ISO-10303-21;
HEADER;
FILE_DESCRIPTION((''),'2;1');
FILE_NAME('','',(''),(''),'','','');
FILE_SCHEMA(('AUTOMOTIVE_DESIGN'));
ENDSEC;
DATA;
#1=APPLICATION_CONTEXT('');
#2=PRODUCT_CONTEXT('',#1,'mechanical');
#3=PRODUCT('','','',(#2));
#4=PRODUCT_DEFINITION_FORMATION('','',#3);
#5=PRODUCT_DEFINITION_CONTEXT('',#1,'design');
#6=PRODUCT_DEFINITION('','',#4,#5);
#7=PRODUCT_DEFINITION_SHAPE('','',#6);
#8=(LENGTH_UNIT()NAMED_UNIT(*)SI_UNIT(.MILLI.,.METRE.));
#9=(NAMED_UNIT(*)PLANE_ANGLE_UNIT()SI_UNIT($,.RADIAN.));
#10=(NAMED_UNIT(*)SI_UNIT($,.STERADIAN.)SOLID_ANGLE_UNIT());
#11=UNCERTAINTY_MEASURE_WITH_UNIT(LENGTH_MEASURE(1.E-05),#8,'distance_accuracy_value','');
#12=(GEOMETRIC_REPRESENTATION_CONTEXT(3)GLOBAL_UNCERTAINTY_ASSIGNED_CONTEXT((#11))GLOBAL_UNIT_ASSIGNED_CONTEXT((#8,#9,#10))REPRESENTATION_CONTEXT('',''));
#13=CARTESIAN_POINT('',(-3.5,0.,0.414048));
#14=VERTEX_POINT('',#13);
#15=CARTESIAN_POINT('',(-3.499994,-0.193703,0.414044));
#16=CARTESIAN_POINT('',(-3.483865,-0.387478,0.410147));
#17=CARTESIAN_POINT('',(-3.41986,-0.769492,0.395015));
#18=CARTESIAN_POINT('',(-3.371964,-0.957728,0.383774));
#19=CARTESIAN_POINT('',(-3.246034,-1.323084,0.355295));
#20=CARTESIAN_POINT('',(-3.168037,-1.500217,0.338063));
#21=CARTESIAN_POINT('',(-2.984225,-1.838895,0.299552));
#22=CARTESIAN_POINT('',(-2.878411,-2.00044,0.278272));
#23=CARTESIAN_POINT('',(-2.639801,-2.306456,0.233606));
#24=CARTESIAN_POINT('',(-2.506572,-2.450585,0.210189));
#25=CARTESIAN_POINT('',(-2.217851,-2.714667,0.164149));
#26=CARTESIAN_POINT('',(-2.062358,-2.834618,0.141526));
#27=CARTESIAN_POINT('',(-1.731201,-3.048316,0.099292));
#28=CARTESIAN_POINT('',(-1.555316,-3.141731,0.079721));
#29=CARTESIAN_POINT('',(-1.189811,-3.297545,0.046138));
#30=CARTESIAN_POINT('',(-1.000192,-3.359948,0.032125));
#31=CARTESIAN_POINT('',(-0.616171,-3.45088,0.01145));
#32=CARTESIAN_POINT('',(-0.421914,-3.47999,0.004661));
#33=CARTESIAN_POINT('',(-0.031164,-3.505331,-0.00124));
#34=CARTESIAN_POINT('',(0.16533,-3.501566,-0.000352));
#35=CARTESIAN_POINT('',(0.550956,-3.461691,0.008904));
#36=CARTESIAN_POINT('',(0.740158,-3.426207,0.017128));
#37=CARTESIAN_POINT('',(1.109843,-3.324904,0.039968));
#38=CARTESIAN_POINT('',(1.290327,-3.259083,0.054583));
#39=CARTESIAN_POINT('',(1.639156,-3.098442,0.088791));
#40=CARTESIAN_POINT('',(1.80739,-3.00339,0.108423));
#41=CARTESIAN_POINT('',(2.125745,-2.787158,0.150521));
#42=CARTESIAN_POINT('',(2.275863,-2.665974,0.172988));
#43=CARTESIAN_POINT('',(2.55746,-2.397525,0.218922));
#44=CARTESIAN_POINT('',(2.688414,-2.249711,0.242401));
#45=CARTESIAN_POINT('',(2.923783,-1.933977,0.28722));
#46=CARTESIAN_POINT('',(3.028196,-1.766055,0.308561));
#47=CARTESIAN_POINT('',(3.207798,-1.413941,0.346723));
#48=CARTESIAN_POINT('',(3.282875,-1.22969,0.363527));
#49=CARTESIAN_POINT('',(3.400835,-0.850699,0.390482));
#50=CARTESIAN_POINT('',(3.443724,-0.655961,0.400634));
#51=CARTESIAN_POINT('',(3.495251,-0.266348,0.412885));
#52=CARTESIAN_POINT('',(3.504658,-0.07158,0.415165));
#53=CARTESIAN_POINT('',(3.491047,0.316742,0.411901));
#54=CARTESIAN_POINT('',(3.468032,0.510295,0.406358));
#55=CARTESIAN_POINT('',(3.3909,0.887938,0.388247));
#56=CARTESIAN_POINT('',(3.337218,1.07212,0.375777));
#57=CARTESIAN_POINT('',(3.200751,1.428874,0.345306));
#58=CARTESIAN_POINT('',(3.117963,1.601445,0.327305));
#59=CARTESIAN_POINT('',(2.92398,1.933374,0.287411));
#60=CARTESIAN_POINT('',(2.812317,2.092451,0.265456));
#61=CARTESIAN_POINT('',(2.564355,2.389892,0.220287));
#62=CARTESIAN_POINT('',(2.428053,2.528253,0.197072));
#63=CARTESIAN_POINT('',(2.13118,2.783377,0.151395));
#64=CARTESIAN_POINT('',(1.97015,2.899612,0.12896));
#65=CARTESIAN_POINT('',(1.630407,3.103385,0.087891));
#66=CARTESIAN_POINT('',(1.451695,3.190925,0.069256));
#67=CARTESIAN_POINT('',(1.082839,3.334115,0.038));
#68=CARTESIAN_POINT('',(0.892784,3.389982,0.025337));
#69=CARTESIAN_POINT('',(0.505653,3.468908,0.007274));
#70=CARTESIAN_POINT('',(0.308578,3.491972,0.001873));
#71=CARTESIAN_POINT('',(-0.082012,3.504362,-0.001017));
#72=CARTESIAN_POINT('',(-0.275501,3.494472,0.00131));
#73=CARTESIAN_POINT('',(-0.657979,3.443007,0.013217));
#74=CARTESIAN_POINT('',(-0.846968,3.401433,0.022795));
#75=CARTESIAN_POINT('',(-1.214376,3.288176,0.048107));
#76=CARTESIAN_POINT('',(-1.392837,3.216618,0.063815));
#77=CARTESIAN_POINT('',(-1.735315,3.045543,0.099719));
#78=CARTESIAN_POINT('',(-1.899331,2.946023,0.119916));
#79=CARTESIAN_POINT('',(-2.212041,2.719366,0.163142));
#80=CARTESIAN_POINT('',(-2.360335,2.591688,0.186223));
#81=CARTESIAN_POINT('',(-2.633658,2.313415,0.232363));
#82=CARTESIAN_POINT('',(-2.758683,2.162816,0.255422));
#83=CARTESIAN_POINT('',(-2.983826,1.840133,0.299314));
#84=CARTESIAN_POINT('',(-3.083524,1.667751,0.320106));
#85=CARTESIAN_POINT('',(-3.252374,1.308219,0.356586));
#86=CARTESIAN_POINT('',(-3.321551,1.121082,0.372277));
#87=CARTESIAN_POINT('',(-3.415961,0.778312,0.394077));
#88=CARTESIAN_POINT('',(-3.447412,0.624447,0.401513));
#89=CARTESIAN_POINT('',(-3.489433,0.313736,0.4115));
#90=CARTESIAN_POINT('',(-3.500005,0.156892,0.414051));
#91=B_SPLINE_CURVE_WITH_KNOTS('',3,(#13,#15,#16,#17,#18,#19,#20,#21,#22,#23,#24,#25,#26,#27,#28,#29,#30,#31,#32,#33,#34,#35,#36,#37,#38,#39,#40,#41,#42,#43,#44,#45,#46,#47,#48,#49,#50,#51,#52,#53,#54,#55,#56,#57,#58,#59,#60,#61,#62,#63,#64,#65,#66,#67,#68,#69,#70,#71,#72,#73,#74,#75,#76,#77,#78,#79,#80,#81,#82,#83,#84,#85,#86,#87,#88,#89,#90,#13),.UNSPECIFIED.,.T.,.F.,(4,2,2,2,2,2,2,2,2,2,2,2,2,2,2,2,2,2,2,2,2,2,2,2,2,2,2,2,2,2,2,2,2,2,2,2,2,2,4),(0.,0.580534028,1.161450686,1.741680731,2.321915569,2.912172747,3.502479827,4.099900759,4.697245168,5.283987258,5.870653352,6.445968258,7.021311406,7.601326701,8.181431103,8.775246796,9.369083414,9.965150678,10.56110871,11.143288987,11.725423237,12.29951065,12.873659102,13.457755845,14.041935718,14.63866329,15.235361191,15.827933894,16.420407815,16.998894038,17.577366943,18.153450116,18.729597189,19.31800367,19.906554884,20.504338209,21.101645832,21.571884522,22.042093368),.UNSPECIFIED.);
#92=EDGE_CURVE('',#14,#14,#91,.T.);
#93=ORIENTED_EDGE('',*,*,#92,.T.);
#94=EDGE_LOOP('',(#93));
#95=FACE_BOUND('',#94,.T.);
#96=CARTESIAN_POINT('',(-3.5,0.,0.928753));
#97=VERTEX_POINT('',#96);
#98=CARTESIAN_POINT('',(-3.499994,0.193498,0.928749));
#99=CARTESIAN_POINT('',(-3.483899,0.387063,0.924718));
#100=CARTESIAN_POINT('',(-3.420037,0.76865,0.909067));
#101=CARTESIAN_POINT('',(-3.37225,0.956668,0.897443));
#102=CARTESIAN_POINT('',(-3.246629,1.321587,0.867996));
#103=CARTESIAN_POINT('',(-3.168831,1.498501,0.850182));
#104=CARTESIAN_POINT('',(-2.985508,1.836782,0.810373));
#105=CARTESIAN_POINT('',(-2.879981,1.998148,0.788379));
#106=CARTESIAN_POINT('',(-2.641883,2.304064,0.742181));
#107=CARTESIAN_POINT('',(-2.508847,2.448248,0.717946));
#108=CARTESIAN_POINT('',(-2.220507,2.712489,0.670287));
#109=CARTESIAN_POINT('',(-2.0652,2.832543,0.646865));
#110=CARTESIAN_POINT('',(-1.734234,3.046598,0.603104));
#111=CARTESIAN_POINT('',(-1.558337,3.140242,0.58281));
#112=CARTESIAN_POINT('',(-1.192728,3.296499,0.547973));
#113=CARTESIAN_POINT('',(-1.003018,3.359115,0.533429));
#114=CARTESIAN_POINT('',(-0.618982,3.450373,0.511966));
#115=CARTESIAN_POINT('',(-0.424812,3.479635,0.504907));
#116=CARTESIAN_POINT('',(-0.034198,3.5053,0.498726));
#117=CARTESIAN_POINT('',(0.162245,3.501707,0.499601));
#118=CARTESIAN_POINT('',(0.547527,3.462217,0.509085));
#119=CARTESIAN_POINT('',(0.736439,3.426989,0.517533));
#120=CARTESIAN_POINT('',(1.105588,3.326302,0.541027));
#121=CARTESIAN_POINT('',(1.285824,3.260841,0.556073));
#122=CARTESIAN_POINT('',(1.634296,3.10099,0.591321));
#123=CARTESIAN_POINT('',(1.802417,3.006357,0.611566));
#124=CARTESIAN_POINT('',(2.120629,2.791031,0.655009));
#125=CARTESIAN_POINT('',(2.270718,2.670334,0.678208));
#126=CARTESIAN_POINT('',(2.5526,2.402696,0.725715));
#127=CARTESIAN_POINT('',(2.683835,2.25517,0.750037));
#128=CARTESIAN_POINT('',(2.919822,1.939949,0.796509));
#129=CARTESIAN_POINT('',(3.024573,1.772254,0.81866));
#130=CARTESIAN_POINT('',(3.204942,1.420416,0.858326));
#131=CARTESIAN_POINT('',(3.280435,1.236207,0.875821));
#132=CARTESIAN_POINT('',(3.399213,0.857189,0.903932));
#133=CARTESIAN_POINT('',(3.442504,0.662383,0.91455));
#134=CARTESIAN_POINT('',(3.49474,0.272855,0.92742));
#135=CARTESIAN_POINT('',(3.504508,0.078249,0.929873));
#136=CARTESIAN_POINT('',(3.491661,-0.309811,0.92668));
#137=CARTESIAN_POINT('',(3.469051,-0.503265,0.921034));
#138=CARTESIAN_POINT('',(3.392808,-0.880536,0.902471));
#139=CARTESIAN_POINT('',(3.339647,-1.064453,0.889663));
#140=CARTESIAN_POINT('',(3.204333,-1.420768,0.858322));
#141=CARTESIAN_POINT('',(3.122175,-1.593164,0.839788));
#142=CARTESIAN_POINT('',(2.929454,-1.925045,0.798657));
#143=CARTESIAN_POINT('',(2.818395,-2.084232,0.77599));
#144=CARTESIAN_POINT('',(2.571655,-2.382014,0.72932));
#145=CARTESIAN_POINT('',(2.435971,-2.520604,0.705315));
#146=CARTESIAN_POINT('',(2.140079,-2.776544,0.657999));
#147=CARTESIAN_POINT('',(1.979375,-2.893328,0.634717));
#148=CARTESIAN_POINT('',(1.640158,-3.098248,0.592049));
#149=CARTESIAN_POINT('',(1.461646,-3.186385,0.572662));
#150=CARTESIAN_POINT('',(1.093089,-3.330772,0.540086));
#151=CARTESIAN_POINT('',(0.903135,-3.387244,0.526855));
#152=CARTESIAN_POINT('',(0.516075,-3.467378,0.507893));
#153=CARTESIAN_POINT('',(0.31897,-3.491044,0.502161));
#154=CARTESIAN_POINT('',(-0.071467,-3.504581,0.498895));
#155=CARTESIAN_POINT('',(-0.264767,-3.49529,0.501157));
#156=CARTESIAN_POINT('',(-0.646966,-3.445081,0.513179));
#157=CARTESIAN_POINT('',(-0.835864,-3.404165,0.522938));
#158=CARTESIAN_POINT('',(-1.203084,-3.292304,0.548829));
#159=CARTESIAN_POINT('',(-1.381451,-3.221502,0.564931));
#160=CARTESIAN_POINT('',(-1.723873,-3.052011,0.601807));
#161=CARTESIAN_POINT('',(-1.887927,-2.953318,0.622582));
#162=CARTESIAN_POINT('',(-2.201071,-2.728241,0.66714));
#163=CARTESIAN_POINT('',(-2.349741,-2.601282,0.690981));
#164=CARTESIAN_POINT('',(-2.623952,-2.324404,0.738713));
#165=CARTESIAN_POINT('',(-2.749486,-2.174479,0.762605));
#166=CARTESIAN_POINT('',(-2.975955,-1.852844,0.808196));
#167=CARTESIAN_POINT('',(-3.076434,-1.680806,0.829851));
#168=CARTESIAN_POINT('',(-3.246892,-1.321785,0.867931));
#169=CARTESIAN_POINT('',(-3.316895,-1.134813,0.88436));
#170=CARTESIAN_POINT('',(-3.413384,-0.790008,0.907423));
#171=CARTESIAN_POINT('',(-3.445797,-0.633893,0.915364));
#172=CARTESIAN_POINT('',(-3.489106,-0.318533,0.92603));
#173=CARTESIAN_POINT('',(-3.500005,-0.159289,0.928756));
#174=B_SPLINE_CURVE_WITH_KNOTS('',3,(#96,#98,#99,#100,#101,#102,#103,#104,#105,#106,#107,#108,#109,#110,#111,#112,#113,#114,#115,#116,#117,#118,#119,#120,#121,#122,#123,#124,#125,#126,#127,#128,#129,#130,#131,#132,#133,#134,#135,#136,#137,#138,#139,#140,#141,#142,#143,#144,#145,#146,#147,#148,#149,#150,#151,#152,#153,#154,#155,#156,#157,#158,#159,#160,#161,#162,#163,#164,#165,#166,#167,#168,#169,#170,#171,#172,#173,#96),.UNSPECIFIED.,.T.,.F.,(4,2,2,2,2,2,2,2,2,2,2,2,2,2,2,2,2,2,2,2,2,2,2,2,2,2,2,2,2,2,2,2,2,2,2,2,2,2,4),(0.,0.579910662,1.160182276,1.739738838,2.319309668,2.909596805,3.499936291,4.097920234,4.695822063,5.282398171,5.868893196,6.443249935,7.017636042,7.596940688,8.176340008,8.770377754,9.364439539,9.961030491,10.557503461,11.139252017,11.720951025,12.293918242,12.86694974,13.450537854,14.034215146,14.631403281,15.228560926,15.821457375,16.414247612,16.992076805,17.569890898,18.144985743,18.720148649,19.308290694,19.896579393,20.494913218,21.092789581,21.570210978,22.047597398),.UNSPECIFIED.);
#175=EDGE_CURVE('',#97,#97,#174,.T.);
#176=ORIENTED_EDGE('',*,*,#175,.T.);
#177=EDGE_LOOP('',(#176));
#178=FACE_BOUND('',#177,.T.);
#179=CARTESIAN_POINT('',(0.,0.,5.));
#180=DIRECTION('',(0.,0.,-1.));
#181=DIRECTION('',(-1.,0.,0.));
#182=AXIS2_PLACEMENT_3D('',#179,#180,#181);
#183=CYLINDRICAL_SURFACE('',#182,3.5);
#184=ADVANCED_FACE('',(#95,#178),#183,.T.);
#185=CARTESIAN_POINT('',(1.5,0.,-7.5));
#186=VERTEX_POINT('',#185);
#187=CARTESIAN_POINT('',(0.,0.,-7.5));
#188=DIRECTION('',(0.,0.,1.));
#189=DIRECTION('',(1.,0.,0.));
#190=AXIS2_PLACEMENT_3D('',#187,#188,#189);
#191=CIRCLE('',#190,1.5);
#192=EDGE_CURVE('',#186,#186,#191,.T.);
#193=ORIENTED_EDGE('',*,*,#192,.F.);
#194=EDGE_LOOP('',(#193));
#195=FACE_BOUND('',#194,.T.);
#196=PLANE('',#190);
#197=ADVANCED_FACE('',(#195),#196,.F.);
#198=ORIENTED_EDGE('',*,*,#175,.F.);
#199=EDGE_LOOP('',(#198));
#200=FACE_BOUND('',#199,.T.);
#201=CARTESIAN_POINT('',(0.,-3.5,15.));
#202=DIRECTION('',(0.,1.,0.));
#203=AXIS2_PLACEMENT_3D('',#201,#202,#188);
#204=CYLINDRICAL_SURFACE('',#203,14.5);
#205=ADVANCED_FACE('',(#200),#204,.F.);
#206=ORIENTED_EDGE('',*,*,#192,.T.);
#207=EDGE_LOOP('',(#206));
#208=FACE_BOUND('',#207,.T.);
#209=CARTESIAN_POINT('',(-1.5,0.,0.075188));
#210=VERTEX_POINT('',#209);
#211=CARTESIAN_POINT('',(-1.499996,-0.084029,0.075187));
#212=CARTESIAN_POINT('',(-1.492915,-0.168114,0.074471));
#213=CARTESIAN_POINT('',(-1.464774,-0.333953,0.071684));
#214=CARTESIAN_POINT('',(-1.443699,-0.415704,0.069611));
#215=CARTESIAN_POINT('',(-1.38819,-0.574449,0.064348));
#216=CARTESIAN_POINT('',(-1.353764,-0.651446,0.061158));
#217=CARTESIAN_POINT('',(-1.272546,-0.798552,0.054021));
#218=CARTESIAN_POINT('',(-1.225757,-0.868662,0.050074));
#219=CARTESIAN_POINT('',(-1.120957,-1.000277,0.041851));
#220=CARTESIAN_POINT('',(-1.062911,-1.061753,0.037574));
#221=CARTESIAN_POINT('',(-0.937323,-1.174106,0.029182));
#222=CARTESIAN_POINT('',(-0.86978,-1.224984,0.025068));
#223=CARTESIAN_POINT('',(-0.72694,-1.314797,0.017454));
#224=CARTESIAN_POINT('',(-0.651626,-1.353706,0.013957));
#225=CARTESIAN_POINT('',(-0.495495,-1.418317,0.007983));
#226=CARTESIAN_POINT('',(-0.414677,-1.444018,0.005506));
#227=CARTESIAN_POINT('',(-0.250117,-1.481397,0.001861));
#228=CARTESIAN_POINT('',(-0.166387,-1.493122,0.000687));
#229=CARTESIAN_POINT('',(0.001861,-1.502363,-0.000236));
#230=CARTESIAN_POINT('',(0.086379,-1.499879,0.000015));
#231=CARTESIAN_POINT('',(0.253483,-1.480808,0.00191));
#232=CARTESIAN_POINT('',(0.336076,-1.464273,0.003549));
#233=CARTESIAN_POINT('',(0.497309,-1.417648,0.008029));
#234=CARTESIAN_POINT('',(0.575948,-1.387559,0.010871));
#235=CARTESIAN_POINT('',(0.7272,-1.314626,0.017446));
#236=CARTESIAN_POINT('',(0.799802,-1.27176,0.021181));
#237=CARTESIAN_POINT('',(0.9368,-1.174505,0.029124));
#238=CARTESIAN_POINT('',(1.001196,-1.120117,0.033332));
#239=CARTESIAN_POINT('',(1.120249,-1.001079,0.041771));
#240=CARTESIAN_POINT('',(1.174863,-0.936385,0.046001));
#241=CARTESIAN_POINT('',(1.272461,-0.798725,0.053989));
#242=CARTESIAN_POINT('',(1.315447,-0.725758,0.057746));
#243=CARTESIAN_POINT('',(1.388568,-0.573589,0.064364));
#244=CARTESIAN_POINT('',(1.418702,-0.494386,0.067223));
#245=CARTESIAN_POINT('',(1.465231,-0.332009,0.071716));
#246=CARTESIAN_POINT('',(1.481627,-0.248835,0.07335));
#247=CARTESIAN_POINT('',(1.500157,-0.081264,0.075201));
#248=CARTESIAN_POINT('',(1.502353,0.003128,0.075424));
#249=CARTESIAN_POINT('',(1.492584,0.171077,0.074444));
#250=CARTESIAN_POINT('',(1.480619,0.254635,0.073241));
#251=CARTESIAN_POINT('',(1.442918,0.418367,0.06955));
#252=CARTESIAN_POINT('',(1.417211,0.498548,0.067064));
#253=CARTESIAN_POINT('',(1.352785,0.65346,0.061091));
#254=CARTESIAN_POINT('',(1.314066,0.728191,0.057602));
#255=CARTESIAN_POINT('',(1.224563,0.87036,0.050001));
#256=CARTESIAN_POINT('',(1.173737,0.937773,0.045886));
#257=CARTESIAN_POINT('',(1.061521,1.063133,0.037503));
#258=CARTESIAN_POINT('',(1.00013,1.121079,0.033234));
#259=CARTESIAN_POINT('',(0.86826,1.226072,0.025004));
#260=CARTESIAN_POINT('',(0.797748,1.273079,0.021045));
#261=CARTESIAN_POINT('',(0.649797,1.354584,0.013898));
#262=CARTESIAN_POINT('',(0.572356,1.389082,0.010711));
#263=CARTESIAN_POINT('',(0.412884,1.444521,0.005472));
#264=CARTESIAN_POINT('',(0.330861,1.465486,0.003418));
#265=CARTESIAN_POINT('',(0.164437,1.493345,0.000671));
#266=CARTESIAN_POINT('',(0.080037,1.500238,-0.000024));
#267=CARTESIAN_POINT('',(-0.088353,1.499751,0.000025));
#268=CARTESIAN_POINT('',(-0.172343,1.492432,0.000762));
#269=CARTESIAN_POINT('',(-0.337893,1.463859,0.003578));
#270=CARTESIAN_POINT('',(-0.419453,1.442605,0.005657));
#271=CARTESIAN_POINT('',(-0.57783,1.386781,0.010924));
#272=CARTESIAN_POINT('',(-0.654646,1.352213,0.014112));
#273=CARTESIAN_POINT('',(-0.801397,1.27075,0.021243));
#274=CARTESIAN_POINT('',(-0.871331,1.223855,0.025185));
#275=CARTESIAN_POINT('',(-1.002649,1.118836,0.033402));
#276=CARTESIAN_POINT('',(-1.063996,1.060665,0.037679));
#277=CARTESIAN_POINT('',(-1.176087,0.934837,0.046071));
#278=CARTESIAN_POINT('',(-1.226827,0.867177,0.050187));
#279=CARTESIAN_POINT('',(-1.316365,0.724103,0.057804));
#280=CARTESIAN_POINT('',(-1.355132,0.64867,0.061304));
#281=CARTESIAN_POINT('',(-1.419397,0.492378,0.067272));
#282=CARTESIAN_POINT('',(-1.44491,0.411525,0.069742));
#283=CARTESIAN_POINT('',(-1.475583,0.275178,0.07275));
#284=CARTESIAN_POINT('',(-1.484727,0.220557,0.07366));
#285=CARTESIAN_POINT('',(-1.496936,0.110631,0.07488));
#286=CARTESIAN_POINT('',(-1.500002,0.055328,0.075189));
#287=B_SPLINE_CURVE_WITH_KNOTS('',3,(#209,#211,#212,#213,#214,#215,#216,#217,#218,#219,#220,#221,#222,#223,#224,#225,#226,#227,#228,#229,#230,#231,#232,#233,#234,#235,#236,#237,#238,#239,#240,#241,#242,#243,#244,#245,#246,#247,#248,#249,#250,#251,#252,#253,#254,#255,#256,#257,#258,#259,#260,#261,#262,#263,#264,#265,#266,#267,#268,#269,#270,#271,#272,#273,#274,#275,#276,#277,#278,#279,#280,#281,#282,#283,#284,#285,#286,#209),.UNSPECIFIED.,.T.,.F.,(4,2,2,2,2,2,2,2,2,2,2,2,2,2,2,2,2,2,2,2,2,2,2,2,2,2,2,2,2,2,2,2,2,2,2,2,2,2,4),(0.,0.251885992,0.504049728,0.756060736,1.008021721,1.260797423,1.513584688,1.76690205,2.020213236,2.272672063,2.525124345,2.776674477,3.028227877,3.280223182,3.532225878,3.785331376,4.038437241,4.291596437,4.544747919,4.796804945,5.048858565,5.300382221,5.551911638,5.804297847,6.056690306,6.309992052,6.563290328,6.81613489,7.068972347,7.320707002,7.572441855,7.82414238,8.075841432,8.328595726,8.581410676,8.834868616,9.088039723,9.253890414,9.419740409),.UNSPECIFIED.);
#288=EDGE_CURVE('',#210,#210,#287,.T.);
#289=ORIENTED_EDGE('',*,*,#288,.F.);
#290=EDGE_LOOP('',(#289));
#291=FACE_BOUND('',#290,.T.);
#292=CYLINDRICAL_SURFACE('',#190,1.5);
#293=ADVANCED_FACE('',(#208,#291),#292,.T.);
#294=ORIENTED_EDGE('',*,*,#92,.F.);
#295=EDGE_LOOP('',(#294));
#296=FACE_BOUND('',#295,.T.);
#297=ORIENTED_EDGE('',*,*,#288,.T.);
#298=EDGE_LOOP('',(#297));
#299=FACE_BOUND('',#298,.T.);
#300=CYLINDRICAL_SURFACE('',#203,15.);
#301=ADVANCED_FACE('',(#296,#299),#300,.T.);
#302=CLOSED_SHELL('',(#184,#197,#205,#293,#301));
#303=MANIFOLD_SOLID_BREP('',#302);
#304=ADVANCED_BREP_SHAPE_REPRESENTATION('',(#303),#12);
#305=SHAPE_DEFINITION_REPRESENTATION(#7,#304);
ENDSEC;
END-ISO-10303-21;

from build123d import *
from build123d.topology import SkipClean

# Parameters (mm, degrees)
CURVED_HOLDER_MAIN_BODY_SKETCH_R = 3.5
CURVED_HOLDER_MAIN_BODY_DEPTH    = 5
FILL_REMOVE_DEPTH                = 8.03562364
FILL_REMOVE_DEPTH_BACK           = 8.03562364
PIN_BODY_REACH                   = 7.036
PIN_BODY_END_RADIUS              = 15
PIN_BODY_SKETCH_R                = 1.5
PIN_BODY_DIRECTION_2_DEPTH       = 7.5


with BuildPart() as part:
    # Curved Holder Main Body Sketch → Curved Holder Main Body (new body)
    with BuildSketch(Plane.XY):
        Circle(CURVED_HOLDER_MAIN_BODY_SKETCH_R)
    extrude(amount=CURVED_HOLDER_MAIN_BODY_DEPTH)

    # Fill Remove Sketch → Fill Remove (cut, two sides: drawn at the far end of the back side and taken through both)
    with BuildSketch(Plane(origin=(0, 0, 0), x_dir=(1, 0, 0), z_dir=(0, 1, 0)).offset(-FILL_REMOVE_DEPTH_BACK)):
        with BuildLine():
            Line((3.5, -5), (3.5, -0.928752721))
            ThreePointArc((3.5, -0.928752721), (0, -0.5), (-3.5, -0.928752721))
            Line((-3.5, -0.928752721), (-3.5, -5))
            Line((-3.5, -5), (3.5, -5))
        make_face()
        with BuildLine():
            Line((-3.5, 0), (-3.5, -0.414047854))
            ThreePointArc((-3.5, -0.414047854), (0, 0), (3.5, -0.414047854))
            Line((3.5, -0.414047854), (3.5, 0))
            Line((3.5, 0), (3.5, 0.978197193))
            Line((3.5, 0.978197193), (-3.5, 0.978197193))
            Line((-3.5, 0.978197193), (-3.5, 0))
        make_face()
    extrude(amount=FILL_REMOVE_DEPTH + FILL_REMOVE_DEPTH_BACK, mode=Mode.SUBTRACT)

    # Pin Body: up to this cylinder (the profile starts outside it)
    with SkipClean():  # the faces are left unmerged after this step: merging them gives an invalid solid
        pin_body_end = Plane(origin=(0, 0, 15), z_dir=(0, 1, 0)) * Cylinder(PIN_BODY_END_RADIUS, 45.072, mode=Mode.PRIVATE)
        # Pin Body Sketch → Pin Body (add, up to the surface)
        with BuildSketch(Plane.XY, mode=Mode.PRIVATE) as pin_body_sk1:
            Circle(PIN_BODY_SKETCH_R)
        pin_body_tool1 = extrude(pin_body_sk1.sketch, amount=PIN_BODY_REACH, mode=Mode.PRIVATE) - pin_body_end
        add(pin_body_tool1.solids().sort_by_distance((0, 0, 0))[0])
        add(pin_body_tool1.solids().sort_by_distance((0, 0, 0))[1])

    # Pin Body Sketch → Pin Body direction 2 (add)
    with BuildSketch(Plane.XY):
        Circle(PIN_BODY_SKETCH_R)
    extrude(amount=-PIN_BODY_DIRECTION_2_DEPTH)


solid = part.part
